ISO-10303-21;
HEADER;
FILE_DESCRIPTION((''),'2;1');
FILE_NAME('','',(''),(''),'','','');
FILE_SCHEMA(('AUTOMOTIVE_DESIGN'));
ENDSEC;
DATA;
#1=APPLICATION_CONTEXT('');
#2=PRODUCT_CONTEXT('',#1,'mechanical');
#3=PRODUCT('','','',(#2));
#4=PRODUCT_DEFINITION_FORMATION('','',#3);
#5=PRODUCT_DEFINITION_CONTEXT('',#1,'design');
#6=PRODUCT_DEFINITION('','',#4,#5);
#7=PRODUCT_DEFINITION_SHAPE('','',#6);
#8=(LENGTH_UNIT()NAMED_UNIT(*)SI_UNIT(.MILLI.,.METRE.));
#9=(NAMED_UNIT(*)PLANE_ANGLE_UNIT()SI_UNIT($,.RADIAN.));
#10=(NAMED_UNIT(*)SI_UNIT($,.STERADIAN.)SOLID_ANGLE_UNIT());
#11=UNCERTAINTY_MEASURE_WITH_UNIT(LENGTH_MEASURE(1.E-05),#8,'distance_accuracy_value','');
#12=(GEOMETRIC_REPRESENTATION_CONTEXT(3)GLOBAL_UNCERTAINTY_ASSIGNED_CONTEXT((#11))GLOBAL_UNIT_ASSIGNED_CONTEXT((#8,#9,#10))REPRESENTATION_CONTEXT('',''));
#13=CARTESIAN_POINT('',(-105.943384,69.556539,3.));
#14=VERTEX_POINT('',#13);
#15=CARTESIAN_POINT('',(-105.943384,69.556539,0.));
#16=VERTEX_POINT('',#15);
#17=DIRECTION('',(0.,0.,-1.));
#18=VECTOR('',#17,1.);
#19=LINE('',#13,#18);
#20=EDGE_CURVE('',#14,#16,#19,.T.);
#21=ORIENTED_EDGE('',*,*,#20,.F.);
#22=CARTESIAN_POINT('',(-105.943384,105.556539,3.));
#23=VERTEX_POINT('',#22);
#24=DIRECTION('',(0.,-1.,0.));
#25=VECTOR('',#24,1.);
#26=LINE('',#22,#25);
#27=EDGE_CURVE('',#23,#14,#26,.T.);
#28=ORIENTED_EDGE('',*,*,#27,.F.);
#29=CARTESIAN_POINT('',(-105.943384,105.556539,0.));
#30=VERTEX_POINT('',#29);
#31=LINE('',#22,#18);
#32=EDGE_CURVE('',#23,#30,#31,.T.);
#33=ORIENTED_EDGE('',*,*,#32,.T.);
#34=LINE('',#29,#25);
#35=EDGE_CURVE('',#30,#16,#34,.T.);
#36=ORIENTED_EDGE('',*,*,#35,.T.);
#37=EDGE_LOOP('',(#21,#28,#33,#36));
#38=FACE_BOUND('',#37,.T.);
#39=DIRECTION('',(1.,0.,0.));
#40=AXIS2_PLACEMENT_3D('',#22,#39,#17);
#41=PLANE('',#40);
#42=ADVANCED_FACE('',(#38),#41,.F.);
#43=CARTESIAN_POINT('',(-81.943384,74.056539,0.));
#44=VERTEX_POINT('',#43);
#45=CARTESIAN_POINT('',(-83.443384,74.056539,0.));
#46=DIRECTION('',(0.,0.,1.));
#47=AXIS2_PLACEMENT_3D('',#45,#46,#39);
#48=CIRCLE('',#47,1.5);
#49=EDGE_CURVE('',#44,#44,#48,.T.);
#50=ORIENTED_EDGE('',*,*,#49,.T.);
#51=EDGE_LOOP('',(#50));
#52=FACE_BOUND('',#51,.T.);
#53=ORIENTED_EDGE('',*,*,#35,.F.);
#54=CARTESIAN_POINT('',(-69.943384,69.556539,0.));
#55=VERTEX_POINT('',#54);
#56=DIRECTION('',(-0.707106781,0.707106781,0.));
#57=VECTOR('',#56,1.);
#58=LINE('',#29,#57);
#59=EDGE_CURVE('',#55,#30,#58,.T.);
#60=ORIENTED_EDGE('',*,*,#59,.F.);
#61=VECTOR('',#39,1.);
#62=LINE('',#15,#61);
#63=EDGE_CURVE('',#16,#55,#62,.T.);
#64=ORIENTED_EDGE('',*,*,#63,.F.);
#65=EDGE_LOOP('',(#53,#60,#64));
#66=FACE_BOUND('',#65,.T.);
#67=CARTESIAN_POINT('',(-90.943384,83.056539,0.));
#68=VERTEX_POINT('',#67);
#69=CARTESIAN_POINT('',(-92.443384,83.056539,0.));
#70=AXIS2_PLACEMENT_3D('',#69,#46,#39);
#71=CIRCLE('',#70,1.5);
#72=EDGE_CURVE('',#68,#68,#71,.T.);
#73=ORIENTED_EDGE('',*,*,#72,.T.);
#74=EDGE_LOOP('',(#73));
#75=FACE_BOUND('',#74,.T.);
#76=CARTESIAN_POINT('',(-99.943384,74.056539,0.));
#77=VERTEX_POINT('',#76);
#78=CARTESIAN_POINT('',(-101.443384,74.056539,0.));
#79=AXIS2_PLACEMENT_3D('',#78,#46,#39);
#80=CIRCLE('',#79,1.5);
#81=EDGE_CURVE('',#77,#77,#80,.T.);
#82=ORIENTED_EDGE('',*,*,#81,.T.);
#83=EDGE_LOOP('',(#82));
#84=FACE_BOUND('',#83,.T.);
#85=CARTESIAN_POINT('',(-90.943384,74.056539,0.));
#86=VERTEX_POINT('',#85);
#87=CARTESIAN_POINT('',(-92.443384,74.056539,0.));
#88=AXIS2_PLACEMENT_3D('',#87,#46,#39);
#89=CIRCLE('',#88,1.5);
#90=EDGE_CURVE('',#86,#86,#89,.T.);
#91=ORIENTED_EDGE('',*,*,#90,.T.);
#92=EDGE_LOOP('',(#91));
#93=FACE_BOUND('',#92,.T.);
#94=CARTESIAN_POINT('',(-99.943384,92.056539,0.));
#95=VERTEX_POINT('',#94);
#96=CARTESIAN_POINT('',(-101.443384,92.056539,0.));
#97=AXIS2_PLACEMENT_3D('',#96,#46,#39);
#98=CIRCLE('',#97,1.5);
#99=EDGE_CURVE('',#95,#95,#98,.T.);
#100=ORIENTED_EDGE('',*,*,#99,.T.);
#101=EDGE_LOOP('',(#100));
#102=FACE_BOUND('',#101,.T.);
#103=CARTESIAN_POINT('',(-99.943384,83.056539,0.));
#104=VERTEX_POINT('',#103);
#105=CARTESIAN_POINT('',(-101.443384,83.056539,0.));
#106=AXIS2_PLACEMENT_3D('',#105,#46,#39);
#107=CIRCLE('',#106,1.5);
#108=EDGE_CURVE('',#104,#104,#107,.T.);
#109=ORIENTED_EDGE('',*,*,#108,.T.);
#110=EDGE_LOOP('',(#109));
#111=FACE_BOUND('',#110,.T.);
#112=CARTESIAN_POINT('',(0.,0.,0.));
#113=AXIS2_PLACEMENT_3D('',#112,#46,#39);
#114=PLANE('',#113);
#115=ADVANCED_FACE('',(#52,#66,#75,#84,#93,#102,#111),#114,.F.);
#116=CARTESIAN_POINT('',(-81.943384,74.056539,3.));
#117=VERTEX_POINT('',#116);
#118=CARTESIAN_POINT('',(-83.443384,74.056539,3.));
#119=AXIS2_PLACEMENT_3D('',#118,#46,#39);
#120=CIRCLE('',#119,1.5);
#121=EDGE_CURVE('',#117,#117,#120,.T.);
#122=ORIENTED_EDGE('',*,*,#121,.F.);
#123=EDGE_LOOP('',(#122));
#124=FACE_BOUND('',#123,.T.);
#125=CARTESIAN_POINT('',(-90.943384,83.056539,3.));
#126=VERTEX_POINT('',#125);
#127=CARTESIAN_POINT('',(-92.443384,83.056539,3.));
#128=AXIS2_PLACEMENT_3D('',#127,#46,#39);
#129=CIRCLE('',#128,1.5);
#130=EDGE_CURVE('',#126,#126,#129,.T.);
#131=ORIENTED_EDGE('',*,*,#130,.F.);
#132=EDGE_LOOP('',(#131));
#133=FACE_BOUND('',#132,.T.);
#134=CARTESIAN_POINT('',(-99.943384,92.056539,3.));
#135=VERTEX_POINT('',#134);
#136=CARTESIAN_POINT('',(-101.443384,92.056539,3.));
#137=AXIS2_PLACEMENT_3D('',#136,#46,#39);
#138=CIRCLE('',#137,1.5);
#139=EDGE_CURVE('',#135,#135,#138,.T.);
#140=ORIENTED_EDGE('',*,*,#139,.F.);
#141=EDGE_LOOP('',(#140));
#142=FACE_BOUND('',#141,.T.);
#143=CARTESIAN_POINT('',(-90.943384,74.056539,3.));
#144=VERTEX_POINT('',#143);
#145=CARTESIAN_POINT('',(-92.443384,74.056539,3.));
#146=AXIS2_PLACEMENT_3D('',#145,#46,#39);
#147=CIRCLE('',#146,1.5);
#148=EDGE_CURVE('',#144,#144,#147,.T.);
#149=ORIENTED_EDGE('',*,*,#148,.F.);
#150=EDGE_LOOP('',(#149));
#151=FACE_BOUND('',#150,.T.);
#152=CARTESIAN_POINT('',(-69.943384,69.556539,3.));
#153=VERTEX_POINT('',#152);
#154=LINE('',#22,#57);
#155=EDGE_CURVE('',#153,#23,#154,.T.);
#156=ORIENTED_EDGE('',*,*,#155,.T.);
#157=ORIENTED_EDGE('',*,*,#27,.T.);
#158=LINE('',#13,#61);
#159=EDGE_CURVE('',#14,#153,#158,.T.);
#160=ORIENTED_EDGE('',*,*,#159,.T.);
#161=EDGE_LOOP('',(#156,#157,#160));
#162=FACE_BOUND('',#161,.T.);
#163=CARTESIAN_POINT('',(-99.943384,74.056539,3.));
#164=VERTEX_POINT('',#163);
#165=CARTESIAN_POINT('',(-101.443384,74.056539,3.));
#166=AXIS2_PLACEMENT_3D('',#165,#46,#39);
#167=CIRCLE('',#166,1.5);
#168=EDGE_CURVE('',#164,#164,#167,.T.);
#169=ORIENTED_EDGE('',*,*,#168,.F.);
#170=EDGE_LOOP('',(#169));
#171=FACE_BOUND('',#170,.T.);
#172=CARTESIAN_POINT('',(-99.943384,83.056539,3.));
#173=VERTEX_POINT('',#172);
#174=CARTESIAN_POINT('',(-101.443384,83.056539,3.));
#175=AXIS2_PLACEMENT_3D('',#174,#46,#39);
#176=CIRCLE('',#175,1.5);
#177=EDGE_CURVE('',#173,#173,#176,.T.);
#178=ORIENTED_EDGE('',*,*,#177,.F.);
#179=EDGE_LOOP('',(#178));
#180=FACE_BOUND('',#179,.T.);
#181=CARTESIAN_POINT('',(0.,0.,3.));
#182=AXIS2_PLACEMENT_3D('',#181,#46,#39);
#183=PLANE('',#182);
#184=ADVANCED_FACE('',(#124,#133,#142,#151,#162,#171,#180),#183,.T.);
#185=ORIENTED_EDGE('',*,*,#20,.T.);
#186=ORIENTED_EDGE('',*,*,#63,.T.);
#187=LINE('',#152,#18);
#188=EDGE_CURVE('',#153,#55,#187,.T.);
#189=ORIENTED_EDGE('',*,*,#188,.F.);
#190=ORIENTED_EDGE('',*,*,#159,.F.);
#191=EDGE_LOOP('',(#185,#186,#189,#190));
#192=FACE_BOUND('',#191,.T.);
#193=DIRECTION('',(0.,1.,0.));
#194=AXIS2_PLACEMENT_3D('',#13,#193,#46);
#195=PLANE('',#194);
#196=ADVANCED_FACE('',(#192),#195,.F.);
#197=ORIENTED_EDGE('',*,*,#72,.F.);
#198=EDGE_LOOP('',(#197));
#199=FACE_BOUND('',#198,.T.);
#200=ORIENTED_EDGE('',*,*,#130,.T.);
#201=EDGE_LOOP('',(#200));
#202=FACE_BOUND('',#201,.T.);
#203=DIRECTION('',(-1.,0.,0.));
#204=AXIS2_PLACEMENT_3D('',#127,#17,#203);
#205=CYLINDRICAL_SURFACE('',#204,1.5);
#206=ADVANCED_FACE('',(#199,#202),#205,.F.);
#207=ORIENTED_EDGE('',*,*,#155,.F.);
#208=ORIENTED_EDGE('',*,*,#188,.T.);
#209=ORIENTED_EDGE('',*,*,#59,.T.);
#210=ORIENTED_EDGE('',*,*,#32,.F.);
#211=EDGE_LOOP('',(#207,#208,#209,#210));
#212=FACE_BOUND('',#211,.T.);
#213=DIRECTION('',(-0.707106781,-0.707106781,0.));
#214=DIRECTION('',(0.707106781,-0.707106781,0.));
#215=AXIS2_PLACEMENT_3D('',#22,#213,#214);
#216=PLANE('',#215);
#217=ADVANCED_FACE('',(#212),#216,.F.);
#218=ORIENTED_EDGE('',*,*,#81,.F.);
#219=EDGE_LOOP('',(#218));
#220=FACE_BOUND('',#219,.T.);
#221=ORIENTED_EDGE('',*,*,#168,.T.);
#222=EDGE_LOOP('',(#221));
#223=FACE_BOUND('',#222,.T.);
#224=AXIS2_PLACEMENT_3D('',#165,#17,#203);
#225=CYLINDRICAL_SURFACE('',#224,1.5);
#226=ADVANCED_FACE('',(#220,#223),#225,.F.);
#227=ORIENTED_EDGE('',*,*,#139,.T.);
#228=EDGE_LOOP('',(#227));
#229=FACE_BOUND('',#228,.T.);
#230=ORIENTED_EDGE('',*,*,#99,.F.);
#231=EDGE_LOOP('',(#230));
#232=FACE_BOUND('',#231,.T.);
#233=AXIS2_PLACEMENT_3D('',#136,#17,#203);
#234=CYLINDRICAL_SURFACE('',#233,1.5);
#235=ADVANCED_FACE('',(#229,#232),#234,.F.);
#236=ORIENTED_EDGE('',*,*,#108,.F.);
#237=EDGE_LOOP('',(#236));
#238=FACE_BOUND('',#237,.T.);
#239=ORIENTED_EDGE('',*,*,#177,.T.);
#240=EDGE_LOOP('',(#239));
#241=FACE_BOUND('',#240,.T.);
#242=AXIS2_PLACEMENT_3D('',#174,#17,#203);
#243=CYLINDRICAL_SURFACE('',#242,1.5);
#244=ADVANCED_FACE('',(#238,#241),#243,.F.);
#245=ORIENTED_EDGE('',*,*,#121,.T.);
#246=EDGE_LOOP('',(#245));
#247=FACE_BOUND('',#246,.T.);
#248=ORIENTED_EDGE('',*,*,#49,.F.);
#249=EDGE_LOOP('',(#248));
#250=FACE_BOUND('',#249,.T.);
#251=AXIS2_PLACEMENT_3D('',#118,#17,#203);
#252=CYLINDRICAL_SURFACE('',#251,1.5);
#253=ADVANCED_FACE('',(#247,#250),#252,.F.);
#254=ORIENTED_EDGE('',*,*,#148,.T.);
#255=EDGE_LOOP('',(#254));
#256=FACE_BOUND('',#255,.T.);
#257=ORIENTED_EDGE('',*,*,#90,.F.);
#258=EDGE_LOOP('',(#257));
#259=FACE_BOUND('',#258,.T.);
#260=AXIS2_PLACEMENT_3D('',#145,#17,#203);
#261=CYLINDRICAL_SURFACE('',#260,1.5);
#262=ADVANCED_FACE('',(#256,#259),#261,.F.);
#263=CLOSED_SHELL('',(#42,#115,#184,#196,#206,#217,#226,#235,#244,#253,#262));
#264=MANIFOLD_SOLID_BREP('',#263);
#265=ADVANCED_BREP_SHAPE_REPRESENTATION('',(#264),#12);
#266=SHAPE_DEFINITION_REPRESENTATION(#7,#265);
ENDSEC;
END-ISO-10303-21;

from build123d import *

# Parameters (mm, degrees)
MODEL_R                 = 1.5
SALIENTE_EXTRUIR1_DEPTH = 3


with BuildPart() as part:
    # Model → Saliente-Extruir1 (new body)
    with BuildSketch(Plane.XY):
        Polygon((-105.943383637, 105.556539338), (-105.943383637, 69.556539338), (-69.943383637, 69.556539338), align=None)
        with Locations((-101.443383637, 92.056539338)):
            Circle(MODEL_R, mode=Mode.SUBTRACT)
        with Locations((-101.443383637, 83.056539338)):
            Circle(MODEL_R, mode=Mode.SUBTRACT)
        with Locations((-92.443383637, 83.056539338)):
            Circle(MODEL_R, mode=Mode.SUBTRACT)
        with Locations((-101.443383637, 74.056539338)):
            Circle(MODEL_R, mode=Mode.SUBTRACT)
        with Locations((-92.443383637, 74.056539338)):
            Circle(MODEL_R, mode=Mode.SUBTRACT)
        with Locations((-83.443383637, 74.056539338)):
            Circle(MODEL_R, mode=Mode.SUBTRACT)
    extrude(amount=SALIENTE_EXTRUIR1_DEPTH)


solid = part.part
